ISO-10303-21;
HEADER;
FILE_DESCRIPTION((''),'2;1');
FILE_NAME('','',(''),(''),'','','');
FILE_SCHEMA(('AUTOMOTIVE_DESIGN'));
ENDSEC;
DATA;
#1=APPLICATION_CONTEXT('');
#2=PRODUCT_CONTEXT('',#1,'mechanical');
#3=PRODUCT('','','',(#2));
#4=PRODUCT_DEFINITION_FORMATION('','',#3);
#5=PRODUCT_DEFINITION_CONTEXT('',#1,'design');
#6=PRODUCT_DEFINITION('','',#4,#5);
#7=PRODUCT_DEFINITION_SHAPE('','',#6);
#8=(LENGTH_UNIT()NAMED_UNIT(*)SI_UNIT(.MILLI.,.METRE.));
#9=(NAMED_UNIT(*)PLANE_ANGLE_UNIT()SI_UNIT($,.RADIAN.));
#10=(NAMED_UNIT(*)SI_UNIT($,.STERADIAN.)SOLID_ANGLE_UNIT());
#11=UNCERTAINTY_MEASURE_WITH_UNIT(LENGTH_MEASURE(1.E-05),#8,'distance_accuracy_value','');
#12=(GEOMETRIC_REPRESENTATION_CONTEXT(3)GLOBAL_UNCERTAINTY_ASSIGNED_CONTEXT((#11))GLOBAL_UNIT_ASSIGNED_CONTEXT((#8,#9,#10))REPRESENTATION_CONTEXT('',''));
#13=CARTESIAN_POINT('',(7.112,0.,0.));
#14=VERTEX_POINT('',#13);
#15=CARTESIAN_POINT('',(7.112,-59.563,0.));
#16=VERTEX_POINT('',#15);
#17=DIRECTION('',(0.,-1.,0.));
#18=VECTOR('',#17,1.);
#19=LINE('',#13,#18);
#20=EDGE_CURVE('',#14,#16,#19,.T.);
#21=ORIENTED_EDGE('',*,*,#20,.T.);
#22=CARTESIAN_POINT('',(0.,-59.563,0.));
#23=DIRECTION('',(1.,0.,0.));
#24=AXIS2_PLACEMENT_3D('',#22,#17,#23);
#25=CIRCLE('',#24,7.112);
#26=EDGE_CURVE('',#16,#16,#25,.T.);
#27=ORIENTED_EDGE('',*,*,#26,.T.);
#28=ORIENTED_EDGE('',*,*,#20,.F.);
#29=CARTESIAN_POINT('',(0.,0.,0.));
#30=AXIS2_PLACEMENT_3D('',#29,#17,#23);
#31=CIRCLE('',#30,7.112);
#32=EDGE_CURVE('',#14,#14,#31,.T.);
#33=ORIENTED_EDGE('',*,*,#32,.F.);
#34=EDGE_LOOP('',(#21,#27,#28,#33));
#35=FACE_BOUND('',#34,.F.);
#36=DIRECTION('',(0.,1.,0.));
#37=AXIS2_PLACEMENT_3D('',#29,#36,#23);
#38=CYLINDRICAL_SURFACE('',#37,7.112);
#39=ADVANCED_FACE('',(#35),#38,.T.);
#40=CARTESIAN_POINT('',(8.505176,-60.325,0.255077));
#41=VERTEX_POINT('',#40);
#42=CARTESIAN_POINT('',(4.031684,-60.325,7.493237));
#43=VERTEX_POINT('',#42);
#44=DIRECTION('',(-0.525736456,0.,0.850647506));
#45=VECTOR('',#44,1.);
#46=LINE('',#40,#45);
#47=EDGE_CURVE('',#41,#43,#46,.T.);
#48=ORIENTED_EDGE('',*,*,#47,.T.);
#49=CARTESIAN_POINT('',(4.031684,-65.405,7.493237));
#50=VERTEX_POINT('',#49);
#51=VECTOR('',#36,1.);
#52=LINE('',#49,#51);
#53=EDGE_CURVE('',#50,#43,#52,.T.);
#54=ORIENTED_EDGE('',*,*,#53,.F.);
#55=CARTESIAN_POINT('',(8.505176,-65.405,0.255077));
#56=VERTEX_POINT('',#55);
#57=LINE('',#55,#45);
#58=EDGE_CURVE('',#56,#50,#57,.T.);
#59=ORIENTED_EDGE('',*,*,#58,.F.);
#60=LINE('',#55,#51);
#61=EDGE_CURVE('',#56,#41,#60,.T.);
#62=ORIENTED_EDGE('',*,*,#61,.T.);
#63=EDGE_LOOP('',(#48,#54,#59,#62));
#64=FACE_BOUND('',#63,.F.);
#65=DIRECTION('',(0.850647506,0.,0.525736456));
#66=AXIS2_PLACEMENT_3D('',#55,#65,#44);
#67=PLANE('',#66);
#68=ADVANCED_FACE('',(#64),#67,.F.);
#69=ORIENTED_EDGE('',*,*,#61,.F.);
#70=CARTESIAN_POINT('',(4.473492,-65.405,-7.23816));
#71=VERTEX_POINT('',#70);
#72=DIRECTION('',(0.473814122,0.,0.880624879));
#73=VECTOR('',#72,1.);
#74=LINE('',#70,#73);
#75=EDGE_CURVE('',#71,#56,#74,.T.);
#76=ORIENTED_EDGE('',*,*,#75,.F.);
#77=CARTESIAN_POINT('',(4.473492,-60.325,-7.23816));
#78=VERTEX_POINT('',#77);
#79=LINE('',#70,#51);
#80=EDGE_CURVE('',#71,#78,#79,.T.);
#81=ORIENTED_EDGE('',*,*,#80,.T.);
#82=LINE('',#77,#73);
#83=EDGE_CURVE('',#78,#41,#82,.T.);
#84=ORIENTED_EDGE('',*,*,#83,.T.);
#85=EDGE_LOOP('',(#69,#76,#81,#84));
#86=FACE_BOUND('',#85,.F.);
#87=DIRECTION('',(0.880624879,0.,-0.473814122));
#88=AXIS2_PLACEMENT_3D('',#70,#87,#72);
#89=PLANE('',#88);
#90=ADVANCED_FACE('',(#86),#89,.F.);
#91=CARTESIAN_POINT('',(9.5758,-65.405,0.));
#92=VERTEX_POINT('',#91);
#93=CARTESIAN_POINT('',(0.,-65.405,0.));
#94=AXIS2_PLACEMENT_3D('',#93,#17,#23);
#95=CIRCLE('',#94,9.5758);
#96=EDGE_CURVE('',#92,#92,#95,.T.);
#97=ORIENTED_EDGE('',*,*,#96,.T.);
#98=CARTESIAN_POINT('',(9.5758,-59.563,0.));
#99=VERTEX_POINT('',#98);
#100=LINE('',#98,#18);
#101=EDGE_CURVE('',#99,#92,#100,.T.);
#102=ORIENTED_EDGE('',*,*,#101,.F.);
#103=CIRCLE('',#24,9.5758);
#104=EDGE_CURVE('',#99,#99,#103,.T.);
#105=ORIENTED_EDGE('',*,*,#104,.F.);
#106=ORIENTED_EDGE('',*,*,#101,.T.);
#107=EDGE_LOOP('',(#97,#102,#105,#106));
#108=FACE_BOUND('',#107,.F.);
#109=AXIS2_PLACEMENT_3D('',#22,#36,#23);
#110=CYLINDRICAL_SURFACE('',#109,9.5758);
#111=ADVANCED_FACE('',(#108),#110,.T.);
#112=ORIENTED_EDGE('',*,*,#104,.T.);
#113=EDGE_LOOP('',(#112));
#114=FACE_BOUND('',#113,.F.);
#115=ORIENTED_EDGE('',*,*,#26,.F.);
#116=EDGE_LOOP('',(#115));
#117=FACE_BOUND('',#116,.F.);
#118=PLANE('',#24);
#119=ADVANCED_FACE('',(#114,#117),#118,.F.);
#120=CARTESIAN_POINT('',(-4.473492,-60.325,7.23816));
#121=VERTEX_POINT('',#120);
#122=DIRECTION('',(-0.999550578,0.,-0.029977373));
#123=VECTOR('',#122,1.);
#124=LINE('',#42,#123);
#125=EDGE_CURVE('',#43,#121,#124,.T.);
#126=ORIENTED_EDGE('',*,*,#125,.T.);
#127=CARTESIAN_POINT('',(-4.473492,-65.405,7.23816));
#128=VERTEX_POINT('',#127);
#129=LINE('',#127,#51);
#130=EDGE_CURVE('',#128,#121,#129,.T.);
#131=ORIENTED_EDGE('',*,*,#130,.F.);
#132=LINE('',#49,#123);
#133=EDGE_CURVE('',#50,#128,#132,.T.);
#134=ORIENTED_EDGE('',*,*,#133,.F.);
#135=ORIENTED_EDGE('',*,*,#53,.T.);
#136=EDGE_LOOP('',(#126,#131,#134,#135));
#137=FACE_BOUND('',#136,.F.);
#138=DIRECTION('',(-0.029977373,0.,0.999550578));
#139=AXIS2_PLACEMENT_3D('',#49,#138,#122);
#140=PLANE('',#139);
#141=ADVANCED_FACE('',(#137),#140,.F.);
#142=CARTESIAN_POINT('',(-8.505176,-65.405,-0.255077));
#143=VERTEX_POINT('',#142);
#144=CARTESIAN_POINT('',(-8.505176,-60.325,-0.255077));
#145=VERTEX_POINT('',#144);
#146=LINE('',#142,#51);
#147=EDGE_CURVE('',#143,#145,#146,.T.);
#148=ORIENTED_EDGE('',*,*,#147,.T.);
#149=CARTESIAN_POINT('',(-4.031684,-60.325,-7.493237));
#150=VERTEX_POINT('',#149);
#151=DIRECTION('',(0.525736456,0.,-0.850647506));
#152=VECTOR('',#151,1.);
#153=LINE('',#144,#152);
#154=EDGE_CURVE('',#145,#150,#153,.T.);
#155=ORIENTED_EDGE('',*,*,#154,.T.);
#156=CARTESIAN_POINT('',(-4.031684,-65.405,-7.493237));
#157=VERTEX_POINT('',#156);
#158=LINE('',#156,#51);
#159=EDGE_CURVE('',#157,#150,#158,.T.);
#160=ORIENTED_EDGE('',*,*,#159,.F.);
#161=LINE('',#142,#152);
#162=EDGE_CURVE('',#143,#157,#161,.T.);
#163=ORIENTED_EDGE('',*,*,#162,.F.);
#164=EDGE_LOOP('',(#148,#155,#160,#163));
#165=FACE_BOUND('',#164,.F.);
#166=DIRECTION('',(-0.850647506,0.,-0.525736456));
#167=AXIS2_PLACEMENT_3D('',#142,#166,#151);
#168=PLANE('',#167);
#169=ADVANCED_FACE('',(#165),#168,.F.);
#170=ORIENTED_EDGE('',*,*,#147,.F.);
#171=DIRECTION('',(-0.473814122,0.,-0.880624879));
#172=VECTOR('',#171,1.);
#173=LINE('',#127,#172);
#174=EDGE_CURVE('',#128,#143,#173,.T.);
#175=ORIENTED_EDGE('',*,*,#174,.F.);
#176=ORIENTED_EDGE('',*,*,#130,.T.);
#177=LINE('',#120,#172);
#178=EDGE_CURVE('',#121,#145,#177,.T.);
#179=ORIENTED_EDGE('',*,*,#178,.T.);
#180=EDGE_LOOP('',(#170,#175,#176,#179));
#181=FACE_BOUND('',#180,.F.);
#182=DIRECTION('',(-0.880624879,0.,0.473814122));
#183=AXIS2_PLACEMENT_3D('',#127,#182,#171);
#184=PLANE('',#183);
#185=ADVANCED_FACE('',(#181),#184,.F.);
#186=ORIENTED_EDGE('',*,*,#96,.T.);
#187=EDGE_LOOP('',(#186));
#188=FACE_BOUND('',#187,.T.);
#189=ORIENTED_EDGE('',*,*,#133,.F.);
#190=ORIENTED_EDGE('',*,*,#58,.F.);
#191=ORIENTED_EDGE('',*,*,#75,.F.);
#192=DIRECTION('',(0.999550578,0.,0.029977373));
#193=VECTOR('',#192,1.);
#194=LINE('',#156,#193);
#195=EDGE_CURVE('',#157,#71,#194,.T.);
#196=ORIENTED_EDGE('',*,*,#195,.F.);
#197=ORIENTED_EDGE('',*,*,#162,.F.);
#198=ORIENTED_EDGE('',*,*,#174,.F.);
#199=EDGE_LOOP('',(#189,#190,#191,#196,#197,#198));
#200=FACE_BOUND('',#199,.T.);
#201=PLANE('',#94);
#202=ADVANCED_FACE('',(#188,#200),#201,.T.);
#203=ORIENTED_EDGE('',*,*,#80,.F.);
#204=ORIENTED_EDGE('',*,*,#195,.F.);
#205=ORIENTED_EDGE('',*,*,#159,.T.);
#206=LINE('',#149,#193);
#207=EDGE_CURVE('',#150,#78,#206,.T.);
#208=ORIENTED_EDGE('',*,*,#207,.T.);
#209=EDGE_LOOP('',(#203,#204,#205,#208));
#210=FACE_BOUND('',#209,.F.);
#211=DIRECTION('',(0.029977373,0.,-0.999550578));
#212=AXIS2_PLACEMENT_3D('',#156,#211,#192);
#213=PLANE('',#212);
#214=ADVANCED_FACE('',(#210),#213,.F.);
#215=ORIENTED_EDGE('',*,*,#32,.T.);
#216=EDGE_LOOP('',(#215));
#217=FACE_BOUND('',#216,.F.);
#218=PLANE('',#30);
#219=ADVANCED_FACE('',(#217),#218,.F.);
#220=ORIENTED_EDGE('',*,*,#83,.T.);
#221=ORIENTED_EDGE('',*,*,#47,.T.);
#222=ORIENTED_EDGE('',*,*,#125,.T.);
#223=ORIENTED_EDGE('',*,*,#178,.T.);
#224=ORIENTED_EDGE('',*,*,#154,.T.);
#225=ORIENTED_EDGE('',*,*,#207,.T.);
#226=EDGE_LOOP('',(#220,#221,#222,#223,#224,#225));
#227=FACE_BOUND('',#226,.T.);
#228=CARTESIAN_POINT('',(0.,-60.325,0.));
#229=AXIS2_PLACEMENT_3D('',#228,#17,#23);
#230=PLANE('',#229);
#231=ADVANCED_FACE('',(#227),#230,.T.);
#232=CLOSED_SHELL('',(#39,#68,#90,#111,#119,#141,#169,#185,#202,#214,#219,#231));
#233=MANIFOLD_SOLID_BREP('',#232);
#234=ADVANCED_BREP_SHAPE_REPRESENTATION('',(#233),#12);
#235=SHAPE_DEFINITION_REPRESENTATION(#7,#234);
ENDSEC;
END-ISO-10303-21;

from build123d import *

# Parameters (mm, degrees)
F0_R     = 7.112
F1_DEPTH = 59.563
F2_R     = 9.5758
F2_R_2   = 7.112
F3_DEPTH = 5.842
F5_DEPTH = 5.08


with BuildPart() as f1:
    # F0 (on Front) → F1 (new body)
    with BuildSketch(Plane.XZ):
        Circle(F0_R)
    extrude(amount=F1_DEPTH)

    # F2 (on face) → F3 (join)
    with BuildSketch(Plane.XZ.offset(59.563)):
        Circle(F2_R)
        Circle(F2_R_2, mode=Mode.SUBTRACT)
        Circle(F2_R_2)
    extrude(amount=F3_DEPTH)

    # F4 (on face) → F5 (cut)
    with BuildSketch(Plane.XZ.offset(65.405)):
        Polygon((8.5051758644, 0.2550774705), (4.0316843628, 7.4932370975), (-4.4734915016, 7.238159627), (-8.5051758644, -0.2550774705), (-4.0316843628, -7.4932370975), (4.4734915016, -7.238159627), align=None)
    extrude(amount=-F5_DEPTH, mode=Mode.SUBTRACT)


solid = f1.part
